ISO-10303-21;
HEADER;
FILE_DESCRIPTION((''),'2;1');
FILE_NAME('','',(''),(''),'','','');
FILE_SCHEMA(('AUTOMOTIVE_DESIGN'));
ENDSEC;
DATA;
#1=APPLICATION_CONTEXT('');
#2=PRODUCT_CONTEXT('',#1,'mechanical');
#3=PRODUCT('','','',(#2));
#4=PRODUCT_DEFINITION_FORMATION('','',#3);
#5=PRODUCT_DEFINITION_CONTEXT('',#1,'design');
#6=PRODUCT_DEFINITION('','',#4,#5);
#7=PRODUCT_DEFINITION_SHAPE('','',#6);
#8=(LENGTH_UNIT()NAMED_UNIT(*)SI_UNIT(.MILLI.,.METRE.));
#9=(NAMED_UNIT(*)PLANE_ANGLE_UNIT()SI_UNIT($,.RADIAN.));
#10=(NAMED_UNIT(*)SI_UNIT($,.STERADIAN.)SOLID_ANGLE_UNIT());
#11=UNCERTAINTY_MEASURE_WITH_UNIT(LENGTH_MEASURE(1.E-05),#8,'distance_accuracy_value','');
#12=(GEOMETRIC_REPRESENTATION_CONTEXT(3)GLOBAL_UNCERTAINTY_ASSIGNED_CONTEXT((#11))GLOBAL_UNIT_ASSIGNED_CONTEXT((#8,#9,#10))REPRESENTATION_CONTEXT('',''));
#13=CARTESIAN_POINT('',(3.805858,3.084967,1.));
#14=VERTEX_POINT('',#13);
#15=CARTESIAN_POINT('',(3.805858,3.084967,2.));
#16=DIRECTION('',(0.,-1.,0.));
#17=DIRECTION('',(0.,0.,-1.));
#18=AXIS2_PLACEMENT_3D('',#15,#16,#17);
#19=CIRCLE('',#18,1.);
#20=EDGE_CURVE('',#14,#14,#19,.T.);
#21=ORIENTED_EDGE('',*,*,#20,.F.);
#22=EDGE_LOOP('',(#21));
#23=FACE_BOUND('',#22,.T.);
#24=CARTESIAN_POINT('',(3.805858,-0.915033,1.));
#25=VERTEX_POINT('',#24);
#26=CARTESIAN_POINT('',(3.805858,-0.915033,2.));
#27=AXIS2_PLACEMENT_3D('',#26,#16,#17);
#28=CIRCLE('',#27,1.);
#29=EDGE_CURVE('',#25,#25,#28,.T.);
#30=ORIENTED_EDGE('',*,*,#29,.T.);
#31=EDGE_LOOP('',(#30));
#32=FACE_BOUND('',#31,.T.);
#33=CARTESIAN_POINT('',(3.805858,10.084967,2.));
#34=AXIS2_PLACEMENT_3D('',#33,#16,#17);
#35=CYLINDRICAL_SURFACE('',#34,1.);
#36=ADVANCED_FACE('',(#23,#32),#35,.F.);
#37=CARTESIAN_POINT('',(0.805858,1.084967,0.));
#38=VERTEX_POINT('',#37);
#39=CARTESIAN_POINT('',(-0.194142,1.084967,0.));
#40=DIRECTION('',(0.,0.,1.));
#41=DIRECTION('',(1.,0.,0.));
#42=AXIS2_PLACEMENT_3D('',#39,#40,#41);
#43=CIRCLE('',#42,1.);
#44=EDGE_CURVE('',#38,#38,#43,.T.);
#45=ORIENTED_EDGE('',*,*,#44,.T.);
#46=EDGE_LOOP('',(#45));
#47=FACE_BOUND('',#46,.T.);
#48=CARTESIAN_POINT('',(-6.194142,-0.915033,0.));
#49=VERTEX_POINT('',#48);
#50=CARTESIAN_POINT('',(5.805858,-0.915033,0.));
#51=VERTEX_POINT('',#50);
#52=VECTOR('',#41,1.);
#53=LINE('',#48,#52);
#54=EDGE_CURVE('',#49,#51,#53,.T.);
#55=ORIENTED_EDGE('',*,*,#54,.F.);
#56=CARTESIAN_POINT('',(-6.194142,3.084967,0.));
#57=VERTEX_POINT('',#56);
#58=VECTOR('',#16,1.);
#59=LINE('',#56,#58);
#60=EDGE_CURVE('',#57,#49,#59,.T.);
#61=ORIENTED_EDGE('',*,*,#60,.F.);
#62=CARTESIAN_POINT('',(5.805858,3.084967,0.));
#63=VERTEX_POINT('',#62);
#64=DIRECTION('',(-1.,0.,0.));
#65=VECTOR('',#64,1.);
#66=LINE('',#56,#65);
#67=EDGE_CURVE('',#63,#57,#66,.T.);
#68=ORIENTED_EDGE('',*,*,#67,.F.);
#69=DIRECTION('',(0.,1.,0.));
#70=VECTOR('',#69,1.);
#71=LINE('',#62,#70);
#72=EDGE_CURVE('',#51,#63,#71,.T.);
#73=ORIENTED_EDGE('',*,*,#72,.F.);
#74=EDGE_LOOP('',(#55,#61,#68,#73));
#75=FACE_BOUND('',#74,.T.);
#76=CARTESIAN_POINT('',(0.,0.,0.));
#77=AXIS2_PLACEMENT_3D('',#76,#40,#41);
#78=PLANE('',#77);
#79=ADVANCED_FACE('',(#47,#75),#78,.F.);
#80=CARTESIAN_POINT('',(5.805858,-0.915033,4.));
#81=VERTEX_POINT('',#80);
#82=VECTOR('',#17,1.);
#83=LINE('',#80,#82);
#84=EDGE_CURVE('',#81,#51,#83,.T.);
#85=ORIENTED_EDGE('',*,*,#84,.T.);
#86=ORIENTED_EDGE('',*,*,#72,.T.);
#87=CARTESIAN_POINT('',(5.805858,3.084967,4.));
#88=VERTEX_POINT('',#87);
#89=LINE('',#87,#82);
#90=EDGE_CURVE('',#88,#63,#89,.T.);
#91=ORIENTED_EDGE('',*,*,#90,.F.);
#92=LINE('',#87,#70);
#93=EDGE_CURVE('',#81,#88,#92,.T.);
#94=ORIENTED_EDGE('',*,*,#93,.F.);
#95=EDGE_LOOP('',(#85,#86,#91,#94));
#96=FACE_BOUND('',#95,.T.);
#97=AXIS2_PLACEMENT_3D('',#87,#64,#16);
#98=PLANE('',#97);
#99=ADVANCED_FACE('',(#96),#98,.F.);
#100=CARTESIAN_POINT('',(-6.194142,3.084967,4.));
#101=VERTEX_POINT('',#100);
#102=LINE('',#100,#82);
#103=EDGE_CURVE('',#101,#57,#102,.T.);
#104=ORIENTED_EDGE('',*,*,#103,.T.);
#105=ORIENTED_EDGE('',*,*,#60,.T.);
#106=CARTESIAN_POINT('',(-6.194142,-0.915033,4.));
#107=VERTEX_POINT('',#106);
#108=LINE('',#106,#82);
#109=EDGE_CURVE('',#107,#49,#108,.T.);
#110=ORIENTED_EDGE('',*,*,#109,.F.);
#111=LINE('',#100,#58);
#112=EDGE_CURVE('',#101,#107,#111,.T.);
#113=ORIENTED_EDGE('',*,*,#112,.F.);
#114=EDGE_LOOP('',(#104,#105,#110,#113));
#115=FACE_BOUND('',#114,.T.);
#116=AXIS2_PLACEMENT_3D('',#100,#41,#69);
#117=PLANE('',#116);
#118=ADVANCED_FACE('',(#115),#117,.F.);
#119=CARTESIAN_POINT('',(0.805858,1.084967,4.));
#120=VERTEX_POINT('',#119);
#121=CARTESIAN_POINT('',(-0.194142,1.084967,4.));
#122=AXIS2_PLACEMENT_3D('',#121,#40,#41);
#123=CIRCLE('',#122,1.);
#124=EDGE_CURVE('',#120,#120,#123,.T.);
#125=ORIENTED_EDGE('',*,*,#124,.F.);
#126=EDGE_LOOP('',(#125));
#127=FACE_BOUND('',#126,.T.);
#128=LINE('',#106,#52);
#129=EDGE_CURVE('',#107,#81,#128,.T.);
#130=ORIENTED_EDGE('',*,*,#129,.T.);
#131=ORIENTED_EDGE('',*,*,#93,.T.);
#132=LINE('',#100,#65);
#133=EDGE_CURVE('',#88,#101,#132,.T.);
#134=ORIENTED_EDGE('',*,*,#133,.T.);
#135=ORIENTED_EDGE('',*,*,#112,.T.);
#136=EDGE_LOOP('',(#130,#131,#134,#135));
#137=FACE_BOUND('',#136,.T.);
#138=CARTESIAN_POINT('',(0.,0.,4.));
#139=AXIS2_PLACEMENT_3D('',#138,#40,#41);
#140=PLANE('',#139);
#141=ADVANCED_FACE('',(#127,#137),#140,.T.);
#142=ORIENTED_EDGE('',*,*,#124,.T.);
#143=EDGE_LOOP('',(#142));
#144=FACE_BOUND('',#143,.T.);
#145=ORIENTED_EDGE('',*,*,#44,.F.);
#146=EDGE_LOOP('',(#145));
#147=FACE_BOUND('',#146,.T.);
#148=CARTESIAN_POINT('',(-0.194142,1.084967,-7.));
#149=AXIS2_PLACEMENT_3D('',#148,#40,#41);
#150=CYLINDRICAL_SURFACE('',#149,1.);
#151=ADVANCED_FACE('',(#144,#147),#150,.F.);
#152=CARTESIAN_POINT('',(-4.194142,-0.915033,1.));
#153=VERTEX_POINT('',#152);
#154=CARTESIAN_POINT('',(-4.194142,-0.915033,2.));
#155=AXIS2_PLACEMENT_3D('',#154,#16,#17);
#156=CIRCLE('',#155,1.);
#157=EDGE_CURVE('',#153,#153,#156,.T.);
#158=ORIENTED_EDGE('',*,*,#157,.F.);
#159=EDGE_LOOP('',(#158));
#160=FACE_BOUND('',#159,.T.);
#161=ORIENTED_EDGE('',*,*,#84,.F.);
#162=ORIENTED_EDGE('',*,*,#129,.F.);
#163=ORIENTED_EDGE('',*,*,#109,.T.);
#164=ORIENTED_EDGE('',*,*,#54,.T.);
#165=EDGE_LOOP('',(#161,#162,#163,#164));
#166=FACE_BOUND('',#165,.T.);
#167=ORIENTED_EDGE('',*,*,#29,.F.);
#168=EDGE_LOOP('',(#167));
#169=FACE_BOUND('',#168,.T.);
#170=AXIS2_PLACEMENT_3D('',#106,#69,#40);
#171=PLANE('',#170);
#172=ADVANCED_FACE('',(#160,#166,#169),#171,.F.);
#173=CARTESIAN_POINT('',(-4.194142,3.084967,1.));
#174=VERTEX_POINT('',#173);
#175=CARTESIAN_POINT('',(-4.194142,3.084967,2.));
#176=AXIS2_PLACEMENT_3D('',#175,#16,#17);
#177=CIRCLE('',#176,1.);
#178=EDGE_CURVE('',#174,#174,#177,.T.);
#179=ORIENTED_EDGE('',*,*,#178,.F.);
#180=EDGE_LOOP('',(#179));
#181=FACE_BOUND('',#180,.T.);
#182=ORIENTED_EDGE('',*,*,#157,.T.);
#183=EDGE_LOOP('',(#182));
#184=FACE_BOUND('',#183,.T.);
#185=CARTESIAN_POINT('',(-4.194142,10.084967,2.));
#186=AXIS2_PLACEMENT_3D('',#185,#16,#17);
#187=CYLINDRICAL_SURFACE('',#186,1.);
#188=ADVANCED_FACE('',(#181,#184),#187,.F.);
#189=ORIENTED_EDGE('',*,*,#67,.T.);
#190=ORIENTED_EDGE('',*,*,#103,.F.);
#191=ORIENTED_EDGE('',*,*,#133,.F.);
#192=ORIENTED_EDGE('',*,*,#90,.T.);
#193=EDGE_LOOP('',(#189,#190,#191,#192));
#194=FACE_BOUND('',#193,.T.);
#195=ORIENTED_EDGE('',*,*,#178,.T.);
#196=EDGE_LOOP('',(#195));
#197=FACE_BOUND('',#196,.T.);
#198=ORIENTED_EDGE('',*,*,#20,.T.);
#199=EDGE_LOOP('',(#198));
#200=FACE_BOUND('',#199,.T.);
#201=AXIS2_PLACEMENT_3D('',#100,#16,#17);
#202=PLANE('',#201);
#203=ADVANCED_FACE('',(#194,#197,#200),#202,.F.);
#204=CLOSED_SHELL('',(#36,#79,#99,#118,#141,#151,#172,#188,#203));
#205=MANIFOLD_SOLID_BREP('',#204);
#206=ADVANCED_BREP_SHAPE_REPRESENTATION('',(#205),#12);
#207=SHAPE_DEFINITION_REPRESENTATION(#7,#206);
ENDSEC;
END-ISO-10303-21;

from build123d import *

# Parameters (mm, degrees)
SKETCH_1_W          = 12
SKETCH_1_H          = 4
EXTRUDE_1_DEPTH     = 4
SKETCH_2_R          = 1
CUT_EXTRUDE_1_DEPTH = 11
SKETCH_3_R          = 1
CUT_EXTRUDE_2_DEPTH = 11


with BuildPart() as part:
    # 草圖1 → 填料-伸長1 (new body)
    with BuildSketch(Plane.XY):
        with Locations((-0.194141854, 1.08496732)):
            Rectangle(SKETCH_1_W, SKETCH_1_H)
    extrude(amount=EXTRUDE_1_DEPTH)

    # 草圖2 → 除料-伸長1 (cut)
    with BuildSketch(Plane.XZ.offset(0.91503268)):
        with Locations(Location((-4.194141854, 2, 0), (0, 0, 270))):
            Circle(SKETCH_2_R)
        with Locations(Location((3.805858146, 2, 0), (0, 0, 270))):
            Circle(SKETCH_2_R)
    extrude(amount=-CUT_EXTRUDE_1_DEPTH, mode=Mode.SUBTRACT)

    # 草圖3 → 除料-伸長2 (cut)
    with BuildSketch(Plane.XY.offset(4)):
        with Locations((-0.194141854, 1.08496732)):
            Circle(SKETCH_3_R)
    extrude(amount=-CUT_EXTRUDE_2_DEPTH, mode=Mode.SUBTRACT)


solid = part.part
